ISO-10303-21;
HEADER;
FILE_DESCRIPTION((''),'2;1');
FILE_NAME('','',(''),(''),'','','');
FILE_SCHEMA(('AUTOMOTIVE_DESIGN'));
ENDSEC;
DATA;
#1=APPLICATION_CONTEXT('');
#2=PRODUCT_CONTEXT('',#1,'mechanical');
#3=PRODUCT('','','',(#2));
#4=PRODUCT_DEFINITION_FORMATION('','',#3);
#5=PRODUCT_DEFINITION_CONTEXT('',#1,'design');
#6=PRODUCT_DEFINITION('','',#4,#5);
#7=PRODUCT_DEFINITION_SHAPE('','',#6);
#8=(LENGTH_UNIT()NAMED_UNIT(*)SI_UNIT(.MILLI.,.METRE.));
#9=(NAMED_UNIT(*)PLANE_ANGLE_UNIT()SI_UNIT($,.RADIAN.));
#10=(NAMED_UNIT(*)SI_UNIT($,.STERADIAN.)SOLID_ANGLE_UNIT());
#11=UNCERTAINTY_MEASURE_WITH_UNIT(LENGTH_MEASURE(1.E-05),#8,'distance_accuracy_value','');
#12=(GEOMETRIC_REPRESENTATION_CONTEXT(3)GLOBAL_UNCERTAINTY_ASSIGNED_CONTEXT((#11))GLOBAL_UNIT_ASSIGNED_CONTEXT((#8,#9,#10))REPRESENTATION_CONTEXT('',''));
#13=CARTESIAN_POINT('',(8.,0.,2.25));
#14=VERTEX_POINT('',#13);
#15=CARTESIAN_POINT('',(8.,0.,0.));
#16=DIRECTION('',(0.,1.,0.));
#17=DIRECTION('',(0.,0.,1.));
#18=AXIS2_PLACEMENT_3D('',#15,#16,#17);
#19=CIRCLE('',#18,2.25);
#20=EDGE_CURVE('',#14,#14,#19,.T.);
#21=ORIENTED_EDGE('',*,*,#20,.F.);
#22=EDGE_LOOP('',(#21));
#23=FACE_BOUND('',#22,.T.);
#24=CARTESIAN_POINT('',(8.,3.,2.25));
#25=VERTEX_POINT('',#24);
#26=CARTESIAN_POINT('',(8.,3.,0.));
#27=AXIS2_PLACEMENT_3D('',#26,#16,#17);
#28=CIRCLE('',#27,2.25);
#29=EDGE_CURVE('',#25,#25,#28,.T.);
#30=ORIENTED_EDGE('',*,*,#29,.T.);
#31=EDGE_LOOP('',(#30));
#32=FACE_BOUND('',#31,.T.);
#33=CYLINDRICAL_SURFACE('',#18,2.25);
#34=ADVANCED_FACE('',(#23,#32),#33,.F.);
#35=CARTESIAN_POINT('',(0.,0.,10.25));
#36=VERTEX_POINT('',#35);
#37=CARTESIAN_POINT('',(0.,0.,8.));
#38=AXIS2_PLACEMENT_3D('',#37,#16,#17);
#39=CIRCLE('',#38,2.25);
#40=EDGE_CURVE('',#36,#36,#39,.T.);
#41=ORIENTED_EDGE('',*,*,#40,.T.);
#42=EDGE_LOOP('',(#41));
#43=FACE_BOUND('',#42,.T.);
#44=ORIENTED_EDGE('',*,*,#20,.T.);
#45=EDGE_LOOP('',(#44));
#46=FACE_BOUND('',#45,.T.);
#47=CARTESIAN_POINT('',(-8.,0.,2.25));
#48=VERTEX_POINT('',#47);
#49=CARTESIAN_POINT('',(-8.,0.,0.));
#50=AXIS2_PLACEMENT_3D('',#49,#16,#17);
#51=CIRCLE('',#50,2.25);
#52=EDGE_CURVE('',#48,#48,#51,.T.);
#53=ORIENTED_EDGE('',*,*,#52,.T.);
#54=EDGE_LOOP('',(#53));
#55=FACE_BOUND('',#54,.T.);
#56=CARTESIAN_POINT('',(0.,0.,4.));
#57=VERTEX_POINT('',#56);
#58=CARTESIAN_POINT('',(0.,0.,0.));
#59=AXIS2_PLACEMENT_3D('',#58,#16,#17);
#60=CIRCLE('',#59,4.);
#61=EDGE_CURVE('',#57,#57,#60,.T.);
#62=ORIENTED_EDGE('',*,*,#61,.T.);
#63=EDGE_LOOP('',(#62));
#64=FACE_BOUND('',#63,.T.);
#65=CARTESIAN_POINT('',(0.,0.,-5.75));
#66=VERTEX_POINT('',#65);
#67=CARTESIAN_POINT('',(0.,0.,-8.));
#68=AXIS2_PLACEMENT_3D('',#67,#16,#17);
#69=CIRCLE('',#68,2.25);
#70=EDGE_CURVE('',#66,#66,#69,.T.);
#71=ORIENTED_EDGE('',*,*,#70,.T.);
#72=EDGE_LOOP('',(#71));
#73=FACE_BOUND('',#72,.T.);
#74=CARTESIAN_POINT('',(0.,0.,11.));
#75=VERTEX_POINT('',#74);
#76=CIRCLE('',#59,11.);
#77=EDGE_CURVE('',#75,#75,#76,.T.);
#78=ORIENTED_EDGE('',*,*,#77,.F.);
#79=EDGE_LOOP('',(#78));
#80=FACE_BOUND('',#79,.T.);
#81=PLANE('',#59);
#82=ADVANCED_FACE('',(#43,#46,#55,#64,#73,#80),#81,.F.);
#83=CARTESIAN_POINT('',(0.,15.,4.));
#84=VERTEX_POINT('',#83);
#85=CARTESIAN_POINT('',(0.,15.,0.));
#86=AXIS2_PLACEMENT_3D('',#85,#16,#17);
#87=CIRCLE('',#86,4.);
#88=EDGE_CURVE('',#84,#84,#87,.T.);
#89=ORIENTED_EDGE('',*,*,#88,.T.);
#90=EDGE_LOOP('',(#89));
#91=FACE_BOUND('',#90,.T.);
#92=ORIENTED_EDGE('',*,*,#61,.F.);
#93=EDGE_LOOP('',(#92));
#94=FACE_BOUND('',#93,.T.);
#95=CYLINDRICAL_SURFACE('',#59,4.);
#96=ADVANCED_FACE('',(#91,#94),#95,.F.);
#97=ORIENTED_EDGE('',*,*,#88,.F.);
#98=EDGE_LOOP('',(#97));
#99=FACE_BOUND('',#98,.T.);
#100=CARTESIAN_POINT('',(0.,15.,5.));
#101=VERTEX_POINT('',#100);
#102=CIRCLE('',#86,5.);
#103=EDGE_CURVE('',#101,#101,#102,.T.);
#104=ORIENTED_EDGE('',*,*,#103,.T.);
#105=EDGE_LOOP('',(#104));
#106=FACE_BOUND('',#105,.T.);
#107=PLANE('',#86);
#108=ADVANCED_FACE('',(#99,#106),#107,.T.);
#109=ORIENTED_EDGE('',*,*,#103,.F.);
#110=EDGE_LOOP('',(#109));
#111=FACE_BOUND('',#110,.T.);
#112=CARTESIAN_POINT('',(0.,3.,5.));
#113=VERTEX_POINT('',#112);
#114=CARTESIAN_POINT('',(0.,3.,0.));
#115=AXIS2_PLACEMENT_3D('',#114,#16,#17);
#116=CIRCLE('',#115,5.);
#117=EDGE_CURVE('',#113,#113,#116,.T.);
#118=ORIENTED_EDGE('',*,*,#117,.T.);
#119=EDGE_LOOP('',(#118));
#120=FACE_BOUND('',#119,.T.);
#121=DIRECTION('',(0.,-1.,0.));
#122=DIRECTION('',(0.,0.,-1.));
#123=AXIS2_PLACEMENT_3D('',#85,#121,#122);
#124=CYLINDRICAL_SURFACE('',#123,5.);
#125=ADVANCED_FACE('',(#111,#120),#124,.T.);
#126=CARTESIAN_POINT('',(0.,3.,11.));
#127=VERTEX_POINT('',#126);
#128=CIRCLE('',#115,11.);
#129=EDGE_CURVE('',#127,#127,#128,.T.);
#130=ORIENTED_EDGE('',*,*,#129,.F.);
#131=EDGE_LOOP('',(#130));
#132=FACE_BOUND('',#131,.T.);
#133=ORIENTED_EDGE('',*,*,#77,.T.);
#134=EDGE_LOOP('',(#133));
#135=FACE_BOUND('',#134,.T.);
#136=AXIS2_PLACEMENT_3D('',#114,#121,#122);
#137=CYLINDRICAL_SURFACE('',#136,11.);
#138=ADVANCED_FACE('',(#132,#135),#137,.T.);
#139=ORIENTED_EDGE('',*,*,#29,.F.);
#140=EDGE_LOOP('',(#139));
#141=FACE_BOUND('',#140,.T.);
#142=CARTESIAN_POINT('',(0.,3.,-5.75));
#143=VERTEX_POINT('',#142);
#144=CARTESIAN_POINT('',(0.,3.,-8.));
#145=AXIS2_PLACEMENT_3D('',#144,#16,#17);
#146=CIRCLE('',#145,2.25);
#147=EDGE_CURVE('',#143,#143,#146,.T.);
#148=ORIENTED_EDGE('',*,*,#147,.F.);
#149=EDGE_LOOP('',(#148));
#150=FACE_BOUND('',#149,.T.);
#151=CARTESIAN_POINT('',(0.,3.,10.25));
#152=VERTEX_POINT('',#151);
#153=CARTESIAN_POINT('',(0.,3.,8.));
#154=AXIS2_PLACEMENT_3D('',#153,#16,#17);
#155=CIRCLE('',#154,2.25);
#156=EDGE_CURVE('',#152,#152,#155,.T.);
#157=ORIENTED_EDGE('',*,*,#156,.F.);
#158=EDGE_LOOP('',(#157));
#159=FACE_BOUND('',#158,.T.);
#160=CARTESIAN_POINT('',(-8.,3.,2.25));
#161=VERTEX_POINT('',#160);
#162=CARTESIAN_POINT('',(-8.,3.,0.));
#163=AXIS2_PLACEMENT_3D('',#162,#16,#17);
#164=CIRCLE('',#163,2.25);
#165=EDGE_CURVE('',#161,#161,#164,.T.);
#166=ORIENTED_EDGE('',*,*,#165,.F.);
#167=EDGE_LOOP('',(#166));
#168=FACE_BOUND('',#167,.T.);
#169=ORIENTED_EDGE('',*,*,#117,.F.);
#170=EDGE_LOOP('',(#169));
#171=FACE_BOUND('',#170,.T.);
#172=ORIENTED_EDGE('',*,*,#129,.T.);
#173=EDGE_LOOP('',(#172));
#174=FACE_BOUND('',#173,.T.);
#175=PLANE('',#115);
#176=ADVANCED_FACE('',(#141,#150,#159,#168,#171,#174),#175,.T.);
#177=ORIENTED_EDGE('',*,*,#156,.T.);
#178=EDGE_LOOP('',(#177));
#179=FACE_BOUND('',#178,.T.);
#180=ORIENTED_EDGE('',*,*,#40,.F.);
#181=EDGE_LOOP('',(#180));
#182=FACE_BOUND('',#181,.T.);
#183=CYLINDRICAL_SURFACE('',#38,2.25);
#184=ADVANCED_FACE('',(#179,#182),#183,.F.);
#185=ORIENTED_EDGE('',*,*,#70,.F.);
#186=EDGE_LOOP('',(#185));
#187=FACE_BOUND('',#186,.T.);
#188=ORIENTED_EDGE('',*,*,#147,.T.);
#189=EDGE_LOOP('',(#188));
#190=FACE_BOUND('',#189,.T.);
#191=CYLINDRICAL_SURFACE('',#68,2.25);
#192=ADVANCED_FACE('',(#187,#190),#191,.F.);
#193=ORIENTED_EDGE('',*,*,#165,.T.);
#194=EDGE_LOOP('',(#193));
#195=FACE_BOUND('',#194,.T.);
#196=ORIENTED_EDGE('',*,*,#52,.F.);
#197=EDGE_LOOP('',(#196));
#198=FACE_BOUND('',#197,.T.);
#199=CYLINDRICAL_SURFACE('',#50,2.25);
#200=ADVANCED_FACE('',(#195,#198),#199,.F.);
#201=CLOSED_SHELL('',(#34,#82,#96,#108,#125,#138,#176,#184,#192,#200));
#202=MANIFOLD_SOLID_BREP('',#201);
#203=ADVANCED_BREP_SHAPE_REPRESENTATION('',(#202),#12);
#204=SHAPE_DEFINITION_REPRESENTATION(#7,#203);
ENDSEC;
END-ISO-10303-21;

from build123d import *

# Parameters (mm, degrees)
SKETCH1_R           = 11
BOSS_EXTRUDE1_DEPTH = 3
SKETCH2_R           = 5
BOSS_EXTRUDE2_DEPTH = 12
SKETCH3_R           = 4
CUT_EXTRUDE1_DEPTH  = 22.610182785
SKETCH4_R           = 2.25
CUT_EXTRUDE2_DEPTH  = 20.646882704


with BuildPart() as part:
    # Sketch1 → Boss-Extrude1 (new body)
    with BuildSketch(Plane(origin=(0, 0, 0), x_dir=(1, 0, 0), z_dir=(0, 1, 0))):
        with Locations(Location((0, 0, 0), (0, 0, 270))):
            Circle(SKETCH1_R)
    extrude(amount=BOSS_EXTRUDE1_DEPTH)

    # Sketch2 → Boss-Extrude2 (add)
    with BuildSketch(Plane(origin=(0, 3, 0), x_dir=(1, 0, 0), z_dir=(0, 1, 0))):
        with Locations(Location((0, 0, 0), (0, 0, 270))):
            Circle(SKETCH2_R)
    extrude(amount=BOSS_EXTRUDE2_DEPTH)

    # Sketch3 → Cut-Extrude1 (cut, through all)
    with BuildSketch(Plane(origin=(0, 15, 0), x_dir=(1, 0, 0), z_dir=(0, 1, 0))):
        with Locations(Location((0, 0, 0), (0, 0, 270))):
            Circle(SKETCH3_R)
    extrude(amount=-CUT_EXTRUDE1_DEPTH, mode=Mode.SUBTRACT)

    # Sketch4 → Cut-Extrude2 (cut, through all)
    with BuildSketch(Plane(origin=(0, 3, 0), x_dir=(1, 0, 0), z_dir=(0, 1, 0))):
        with Locations(Location((8, 0, 0), (0, 0, 270))):
            Circle(SKETCH4_R)
        with Locations(Location((0, 8, 0), (0, 0, 270))):
            Circle(SKETCH4_R)
        with Locations(Location((-8, 0, 0), (0, 0, 270))):
            Circle(SKETCH4_R)
        with Locations(Location((0, -8, 0), (0, 0, 270))):
            Circle(SKETCH4_R)
    extrude(amount=-CUT_EXTRUDE2_DEPTH, mode=Mode.SUBTRACT)


solid = part.part
